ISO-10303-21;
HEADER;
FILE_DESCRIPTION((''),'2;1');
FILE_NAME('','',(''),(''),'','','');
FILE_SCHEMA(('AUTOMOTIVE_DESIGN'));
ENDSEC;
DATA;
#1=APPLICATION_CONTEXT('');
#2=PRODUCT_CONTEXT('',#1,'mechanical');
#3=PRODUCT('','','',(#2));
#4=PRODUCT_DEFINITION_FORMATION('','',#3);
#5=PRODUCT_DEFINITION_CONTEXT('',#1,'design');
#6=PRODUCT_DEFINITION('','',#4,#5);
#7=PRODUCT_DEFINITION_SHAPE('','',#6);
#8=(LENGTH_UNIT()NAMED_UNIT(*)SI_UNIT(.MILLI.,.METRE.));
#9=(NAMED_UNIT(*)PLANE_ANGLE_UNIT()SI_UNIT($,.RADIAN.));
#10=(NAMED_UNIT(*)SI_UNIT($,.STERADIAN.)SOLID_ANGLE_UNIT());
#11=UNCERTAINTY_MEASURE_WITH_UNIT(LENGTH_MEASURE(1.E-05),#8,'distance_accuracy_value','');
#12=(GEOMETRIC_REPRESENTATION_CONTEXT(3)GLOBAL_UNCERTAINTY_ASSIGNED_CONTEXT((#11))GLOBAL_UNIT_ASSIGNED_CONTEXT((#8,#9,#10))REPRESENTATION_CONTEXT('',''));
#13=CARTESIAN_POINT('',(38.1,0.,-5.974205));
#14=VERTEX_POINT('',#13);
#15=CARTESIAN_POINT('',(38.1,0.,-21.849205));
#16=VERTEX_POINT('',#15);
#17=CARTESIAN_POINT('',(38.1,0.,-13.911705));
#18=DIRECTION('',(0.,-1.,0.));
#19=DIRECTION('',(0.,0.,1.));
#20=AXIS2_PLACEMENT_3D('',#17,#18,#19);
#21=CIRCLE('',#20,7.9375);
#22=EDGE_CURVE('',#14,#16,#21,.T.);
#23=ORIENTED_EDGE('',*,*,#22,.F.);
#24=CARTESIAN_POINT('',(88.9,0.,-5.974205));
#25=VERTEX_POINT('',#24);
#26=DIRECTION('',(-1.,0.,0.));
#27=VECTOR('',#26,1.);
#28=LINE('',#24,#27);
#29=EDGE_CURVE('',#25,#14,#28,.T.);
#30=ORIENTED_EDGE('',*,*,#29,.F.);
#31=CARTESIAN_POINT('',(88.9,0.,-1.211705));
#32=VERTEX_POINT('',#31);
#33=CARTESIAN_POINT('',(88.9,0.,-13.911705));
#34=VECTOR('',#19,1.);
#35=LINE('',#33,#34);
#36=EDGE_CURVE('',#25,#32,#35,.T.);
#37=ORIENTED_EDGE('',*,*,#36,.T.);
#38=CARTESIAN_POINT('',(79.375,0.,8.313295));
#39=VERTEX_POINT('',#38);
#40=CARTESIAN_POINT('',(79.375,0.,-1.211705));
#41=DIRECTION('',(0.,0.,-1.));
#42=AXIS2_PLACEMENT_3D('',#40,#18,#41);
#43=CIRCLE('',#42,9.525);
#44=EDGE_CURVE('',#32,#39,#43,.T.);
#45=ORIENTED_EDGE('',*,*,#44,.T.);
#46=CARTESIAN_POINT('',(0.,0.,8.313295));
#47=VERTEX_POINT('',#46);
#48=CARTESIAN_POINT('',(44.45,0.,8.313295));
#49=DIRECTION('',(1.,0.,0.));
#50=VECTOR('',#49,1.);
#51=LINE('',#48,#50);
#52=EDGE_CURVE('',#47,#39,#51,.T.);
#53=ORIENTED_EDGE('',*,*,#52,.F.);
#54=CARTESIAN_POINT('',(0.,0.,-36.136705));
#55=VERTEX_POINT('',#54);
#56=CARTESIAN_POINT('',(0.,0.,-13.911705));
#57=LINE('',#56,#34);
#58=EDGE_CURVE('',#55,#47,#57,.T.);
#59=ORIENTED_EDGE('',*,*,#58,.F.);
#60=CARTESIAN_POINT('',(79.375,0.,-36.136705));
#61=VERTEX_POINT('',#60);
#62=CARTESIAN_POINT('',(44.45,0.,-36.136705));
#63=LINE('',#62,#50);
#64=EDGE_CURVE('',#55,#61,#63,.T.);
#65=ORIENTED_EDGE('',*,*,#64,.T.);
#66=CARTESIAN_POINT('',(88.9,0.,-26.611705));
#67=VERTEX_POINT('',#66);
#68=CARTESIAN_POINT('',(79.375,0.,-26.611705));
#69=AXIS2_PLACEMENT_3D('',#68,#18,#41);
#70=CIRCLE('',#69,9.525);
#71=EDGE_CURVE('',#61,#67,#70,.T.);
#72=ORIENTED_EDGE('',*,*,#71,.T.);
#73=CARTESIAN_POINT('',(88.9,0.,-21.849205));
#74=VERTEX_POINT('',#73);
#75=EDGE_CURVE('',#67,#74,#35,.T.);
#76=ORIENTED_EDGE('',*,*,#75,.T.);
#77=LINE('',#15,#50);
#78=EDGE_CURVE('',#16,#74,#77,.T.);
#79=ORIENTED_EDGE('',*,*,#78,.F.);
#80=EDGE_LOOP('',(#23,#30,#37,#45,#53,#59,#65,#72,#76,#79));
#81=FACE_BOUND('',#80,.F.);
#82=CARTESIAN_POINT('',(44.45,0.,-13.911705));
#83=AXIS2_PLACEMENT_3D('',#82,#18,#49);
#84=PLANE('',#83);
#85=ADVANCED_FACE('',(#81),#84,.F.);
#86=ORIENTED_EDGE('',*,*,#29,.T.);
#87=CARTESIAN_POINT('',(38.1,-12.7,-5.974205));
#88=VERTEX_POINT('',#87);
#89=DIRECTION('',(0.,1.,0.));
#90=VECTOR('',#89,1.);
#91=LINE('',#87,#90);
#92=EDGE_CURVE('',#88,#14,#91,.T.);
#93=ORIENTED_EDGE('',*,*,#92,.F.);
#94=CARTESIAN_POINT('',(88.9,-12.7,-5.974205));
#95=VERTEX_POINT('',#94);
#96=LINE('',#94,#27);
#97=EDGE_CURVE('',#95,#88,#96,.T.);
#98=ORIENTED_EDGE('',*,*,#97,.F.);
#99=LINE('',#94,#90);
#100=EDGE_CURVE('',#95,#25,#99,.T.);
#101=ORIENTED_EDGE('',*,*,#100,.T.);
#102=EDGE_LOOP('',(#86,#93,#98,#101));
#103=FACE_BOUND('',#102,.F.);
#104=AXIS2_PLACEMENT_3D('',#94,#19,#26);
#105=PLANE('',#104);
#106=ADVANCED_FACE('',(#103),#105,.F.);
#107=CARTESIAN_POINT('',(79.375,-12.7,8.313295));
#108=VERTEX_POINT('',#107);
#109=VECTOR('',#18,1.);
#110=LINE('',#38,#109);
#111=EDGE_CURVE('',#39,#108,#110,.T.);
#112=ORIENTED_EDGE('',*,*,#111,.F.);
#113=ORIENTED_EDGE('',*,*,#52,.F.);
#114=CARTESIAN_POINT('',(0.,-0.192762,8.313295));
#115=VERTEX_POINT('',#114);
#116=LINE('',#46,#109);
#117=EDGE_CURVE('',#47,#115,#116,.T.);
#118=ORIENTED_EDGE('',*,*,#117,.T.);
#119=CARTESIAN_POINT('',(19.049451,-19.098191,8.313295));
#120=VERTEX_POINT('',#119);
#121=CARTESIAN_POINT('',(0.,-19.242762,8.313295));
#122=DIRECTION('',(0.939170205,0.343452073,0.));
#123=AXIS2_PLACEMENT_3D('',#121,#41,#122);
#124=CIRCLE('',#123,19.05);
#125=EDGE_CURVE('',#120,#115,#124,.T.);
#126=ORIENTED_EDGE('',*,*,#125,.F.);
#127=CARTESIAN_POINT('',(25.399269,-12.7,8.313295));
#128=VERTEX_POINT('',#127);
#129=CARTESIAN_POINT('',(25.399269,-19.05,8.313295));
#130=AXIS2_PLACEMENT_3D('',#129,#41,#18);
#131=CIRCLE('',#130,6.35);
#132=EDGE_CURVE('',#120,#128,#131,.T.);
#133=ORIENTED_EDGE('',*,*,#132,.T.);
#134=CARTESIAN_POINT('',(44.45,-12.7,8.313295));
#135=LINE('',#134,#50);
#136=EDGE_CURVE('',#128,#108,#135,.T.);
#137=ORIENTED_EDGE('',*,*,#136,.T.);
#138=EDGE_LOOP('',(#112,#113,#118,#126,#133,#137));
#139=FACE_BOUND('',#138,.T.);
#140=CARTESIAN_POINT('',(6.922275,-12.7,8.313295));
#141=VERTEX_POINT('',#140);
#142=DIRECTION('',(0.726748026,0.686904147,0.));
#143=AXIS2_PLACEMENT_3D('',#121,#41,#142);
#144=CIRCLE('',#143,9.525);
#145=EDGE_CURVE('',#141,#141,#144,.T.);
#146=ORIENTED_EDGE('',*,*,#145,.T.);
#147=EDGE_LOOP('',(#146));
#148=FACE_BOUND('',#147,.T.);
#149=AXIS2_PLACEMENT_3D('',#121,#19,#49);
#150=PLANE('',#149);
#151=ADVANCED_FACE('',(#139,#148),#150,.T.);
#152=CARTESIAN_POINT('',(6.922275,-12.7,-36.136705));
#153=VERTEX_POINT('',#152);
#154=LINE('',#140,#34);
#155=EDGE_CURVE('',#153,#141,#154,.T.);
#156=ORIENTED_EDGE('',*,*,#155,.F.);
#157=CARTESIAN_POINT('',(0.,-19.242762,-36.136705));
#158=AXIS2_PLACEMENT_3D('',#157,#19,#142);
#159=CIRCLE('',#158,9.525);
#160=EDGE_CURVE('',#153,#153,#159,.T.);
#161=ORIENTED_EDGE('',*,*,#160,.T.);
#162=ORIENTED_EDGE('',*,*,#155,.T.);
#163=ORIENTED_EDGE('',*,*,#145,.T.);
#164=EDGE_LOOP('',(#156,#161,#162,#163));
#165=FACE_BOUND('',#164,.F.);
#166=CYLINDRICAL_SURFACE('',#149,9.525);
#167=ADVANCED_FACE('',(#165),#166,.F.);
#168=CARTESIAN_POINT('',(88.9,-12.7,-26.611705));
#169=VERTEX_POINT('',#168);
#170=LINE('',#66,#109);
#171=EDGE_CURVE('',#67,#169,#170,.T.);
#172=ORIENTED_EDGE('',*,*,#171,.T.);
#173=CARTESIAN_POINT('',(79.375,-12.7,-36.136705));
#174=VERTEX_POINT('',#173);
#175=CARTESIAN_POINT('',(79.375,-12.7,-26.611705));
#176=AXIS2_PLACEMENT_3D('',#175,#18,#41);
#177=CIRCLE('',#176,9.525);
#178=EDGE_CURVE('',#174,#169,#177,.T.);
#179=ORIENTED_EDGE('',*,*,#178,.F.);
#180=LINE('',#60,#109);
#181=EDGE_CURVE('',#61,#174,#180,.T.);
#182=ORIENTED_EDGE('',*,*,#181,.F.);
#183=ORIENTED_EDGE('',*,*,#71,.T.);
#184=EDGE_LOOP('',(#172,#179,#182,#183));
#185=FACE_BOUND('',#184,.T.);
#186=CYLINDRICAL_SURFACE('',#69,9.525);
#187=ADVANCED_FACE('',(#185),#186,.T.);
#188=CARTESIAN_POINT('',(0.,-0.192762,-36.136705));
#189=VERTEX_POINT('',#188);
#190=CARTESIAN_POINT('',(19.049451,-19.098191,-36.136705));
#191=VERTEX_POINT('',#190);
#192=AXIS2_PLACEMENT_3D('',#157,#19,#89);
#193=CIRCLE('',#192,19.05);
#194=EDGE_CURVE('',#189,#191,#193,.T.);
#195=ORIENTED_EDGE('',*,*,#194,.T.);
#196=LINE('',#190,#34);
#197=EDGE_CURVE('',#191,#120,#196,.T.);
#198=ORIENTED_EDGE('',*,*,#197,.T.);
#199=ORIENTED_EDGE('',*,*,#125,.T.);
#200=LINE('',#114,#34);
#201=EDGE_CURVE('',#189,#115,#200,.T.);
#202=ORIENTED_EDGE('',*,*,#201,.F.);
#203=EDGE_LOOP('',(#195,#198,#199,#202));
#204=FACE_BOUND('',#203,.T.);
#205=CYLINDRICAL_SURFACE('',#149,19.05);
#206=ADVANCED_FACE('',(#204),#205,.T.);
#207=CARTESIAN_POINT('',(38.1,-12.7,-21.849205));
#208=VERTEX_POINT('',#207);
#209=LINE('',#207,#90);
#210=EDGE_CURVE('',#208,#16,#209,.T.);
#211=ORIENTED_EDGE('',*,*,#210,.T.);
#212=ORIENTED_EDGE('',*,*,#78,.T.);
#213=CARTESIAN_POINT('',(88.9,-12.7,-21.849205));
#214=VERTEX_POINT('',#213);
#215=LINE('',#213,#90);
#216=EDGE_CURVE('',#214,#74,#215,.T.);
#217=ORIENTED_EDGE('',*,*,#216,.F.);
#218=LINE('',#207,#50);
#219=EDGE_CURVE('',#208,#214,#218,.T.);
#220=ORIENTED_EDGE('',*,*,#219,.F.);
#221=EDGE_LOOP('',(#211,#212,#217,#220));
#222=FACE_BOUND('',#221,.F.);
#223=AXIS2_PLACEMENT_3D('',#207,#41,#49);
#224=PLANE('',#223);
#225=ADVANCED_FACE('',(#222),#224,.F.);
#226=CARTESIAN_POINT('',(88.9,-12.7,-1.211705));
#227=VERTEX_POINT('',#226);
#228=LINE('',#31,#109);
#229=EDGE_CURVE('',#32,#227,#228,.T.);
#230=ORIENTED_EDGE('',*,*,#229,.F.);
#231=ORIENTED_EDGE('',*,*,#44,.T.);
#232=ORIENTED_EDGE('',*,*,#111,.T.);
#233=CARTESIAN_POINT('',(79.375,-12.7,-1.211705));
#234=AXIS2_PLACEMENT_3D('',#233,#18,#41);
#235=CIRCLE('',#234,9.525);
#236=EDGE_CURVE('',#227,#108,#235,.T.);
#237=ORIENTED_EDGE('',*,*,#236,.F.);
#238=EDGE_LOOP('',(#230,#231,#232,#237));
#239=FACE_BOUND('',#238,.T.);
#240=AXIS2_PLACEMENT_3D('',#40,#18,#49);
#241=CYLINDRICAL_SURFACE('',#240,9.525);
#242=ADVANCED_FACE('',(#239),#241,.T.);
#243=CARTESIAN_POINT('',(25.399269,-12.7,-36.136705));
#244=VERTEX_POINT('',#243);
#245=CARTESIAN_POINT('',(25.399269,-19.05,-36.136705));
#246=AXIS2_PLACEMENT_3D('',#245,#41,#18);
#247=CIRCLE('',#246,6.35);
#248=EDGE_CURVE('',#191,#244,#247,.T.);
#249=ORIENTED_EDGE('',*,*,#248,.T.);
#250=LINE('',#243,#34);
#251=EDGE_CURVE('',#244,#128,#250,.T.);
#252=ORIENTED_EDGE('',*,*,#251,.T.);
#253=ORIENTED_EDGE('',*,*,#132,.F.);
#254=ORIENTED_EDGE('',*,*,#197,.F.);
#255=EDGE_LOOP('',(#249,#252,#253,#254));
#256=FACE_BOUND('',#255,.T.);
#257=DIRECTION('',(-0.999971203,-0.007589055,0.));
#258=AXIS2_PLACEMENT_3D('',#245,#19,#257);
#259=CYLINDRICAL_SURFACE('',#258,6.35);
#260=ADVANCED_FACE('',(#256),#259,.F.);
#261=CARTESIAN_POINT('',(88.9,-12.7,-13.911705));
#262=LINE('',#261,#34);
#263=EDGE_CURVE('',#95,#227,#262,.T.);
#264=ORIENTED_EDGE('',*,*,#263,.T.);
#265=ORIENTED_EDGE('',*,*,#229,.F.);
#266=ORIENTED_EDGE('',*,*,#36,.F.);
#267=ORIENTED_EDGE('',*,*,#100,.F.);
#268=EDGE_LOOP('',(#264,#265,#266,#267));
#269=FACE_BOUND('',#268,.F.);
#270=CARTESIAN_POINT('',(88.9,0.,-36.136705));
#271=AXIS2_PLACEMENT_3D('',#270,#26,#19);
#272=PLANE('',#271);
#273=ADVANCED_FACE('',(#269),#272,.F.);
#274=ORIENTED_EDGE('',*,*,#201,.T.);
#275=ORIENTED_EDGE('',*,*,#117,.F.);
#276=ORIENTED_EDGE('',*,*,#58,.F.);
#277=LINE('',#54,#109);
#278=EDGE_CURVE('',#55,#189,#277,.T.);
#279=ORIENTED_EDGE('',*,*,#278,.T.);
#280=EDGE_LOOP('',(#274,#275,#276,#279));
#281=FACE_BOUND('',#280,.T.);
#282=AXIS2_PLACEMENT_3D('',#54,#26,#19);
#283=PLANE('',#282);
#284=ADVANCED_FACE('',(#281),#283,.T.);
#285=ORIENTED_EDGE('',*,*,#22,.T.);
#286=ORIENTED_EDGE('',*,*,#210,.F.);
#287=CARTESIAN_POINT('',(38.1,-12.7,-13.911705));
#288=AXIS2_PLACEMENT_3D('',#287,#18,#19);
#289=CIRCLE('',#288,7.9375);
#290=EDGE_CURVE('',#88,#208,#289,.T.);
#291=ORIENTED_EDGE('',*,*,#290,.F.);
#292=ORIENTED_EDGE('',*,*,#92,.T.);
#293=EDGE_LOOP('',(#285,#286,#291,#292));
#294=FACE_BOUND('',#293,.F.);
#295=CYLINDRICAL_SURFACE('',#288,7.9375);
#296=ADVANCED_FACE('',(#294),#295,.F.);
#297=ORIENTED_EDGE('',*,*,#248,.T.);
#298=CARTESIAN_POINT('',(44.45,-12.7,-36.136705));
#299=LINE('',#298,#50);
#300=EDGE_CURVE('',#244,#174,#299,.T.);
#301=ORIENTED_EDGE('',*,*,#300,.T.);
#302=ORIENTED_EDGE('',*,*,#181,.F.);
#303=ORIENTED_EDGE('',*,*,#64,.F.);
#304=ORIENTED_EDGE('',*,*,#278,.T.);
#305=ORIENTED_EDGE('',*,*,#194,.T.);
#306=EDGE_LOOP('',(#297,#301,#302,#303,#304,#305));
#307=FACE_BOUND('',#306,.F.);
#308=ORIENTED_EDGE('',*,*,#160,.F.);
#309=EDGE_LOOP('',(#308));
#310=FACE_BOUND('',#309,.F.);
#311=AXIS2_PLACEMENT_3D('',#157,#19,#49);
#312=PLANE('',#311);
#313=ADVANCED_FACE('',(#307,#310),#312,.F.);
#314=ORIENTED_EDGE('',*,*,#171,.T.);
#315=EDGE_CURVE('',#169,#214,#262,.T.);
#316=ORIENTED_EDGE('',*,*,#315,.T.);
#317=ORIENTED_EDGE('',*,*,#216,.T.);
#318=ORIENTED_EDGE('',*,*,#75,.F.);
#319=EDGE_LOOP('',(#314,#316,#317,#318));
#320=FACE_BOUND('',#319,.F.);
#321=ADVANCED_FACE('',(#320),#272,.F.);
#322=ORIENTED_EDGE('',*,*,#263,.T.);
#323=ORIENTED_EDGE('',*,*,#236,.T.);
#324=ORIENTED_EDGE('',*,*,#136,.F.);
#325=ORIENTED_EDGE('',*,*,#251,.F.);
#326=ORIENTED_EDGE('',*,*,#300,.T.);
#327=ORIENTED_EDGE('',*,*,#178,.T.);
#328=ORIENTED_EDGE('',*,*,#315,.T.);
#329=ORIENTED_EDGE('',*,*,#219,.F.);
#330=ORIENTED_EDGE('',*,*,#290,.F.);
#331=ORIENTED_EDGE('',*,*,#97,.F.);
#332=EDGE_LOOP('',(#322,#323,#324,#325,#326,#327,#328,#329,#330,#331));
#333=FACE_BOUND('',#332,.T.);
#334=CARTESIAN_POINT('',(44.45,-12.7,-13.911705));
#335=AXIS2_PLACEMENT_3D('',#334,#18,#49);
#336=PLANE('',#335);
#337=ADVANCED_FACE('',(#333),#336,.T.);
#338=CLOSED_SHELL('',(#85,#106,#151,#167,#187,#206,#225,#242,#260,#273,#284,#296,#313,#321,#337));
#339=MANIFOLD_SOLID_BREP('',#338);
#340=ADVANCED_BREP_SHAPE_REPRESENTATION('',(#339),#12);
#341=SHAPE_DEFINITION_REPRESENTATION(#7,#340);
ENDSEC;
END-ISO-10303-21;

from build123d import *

# Parameters (mm, degrees)
F0_W     = 88.9
F0_H     = 44.45
F1_DEPTH = 12.7
F2_R     = 9.525
F4_DEPTH = 12.7
F5_R     = 19.05
F5_R_2   = 9.525
F6_DEPTH = 44.45
F7_R     = 9.525
F8_DEPTH = 44.45
F9_R     = 6.35


with BuildPart() as f1:
    # F0 (on Front) → F1 (new body)
    with BuildSketch(Plane.XZ):
        with Locations((44.45, -13.911705)):
            Rectangle(F0_W, F0_H)
    extrude(amount=F1_DEPTH)

    # F2
    f2_edges = [f1.edges().sort_by_distance(p)[0] for p in [
        (88.9, -6.35, 8.313295),
        (88.9, -6.35, -36.136705),
    ]]
    fillet(f2_edges, radius=F2_R)

    # F3 (on face) → F4 (cut)
    with BuildSketch(Plane.XZ.offset(12.7)):
        with BuildLine():
            ThreePointArc((38.1, -21.849205), (43.71266, -19.524366), (46.0375, -13.911705))
            ThreePointArc((46.0375, -13.911705), (43.71266, -8.299045), (38.1, -5.974205))
            ThreePointArc((38.1, -5.974205), (30.1625, -13.911705), (38.1, -21.849205))
        make_face()
        with BuildLine():
            ThreePointArc((38.1, -5.974205), (43.71266, -8.299045), (46.0375, -13.911705))
            ThreePointArc((46.0375, -13.911705), (43.71266, -19.524366), (38.1, -21.849205))
            Line((38.1, -21.849205), (88.9, -21.849205))
            Line((88.9, -21.849205), (88.9, -5.974205))
            Line((88.9, -5.974205), (38.1, -5.974205))
        make_face()
    extrude(amount=-F4_DEPTH, mode=Mode.SUBTRACT)

    # F5 (on face) → F6 (join)
    with BuildSketch(Plane.XY.offset(8.313295)):
        with Locations((0, -19.242762)):
            Circle(F5_R)
        with Locations((0, -19.242762)):
            Circle(F5_R_2, mode=Mode.SUBTRACT)
    extrude(amount=-F6_DEPTH)

    # F7 (on face) → F8 (cut)
    with BuildSketch(Plane.XY.offset(8.313295)):
        with Locations((0, -19.242762)):
            Circle(F7_R)
    extrude(amount=-F8_DEPTH, mode=Mode.SUBTRACT)

    # F9
    f9_edges = [f1.edges().sort_by_distance(p)[0] for p in [
        (17.891192, -12.7, -13.911705),
    ]]
    fillet(f9_edges, radius=F9_R)


solid = f1.part
